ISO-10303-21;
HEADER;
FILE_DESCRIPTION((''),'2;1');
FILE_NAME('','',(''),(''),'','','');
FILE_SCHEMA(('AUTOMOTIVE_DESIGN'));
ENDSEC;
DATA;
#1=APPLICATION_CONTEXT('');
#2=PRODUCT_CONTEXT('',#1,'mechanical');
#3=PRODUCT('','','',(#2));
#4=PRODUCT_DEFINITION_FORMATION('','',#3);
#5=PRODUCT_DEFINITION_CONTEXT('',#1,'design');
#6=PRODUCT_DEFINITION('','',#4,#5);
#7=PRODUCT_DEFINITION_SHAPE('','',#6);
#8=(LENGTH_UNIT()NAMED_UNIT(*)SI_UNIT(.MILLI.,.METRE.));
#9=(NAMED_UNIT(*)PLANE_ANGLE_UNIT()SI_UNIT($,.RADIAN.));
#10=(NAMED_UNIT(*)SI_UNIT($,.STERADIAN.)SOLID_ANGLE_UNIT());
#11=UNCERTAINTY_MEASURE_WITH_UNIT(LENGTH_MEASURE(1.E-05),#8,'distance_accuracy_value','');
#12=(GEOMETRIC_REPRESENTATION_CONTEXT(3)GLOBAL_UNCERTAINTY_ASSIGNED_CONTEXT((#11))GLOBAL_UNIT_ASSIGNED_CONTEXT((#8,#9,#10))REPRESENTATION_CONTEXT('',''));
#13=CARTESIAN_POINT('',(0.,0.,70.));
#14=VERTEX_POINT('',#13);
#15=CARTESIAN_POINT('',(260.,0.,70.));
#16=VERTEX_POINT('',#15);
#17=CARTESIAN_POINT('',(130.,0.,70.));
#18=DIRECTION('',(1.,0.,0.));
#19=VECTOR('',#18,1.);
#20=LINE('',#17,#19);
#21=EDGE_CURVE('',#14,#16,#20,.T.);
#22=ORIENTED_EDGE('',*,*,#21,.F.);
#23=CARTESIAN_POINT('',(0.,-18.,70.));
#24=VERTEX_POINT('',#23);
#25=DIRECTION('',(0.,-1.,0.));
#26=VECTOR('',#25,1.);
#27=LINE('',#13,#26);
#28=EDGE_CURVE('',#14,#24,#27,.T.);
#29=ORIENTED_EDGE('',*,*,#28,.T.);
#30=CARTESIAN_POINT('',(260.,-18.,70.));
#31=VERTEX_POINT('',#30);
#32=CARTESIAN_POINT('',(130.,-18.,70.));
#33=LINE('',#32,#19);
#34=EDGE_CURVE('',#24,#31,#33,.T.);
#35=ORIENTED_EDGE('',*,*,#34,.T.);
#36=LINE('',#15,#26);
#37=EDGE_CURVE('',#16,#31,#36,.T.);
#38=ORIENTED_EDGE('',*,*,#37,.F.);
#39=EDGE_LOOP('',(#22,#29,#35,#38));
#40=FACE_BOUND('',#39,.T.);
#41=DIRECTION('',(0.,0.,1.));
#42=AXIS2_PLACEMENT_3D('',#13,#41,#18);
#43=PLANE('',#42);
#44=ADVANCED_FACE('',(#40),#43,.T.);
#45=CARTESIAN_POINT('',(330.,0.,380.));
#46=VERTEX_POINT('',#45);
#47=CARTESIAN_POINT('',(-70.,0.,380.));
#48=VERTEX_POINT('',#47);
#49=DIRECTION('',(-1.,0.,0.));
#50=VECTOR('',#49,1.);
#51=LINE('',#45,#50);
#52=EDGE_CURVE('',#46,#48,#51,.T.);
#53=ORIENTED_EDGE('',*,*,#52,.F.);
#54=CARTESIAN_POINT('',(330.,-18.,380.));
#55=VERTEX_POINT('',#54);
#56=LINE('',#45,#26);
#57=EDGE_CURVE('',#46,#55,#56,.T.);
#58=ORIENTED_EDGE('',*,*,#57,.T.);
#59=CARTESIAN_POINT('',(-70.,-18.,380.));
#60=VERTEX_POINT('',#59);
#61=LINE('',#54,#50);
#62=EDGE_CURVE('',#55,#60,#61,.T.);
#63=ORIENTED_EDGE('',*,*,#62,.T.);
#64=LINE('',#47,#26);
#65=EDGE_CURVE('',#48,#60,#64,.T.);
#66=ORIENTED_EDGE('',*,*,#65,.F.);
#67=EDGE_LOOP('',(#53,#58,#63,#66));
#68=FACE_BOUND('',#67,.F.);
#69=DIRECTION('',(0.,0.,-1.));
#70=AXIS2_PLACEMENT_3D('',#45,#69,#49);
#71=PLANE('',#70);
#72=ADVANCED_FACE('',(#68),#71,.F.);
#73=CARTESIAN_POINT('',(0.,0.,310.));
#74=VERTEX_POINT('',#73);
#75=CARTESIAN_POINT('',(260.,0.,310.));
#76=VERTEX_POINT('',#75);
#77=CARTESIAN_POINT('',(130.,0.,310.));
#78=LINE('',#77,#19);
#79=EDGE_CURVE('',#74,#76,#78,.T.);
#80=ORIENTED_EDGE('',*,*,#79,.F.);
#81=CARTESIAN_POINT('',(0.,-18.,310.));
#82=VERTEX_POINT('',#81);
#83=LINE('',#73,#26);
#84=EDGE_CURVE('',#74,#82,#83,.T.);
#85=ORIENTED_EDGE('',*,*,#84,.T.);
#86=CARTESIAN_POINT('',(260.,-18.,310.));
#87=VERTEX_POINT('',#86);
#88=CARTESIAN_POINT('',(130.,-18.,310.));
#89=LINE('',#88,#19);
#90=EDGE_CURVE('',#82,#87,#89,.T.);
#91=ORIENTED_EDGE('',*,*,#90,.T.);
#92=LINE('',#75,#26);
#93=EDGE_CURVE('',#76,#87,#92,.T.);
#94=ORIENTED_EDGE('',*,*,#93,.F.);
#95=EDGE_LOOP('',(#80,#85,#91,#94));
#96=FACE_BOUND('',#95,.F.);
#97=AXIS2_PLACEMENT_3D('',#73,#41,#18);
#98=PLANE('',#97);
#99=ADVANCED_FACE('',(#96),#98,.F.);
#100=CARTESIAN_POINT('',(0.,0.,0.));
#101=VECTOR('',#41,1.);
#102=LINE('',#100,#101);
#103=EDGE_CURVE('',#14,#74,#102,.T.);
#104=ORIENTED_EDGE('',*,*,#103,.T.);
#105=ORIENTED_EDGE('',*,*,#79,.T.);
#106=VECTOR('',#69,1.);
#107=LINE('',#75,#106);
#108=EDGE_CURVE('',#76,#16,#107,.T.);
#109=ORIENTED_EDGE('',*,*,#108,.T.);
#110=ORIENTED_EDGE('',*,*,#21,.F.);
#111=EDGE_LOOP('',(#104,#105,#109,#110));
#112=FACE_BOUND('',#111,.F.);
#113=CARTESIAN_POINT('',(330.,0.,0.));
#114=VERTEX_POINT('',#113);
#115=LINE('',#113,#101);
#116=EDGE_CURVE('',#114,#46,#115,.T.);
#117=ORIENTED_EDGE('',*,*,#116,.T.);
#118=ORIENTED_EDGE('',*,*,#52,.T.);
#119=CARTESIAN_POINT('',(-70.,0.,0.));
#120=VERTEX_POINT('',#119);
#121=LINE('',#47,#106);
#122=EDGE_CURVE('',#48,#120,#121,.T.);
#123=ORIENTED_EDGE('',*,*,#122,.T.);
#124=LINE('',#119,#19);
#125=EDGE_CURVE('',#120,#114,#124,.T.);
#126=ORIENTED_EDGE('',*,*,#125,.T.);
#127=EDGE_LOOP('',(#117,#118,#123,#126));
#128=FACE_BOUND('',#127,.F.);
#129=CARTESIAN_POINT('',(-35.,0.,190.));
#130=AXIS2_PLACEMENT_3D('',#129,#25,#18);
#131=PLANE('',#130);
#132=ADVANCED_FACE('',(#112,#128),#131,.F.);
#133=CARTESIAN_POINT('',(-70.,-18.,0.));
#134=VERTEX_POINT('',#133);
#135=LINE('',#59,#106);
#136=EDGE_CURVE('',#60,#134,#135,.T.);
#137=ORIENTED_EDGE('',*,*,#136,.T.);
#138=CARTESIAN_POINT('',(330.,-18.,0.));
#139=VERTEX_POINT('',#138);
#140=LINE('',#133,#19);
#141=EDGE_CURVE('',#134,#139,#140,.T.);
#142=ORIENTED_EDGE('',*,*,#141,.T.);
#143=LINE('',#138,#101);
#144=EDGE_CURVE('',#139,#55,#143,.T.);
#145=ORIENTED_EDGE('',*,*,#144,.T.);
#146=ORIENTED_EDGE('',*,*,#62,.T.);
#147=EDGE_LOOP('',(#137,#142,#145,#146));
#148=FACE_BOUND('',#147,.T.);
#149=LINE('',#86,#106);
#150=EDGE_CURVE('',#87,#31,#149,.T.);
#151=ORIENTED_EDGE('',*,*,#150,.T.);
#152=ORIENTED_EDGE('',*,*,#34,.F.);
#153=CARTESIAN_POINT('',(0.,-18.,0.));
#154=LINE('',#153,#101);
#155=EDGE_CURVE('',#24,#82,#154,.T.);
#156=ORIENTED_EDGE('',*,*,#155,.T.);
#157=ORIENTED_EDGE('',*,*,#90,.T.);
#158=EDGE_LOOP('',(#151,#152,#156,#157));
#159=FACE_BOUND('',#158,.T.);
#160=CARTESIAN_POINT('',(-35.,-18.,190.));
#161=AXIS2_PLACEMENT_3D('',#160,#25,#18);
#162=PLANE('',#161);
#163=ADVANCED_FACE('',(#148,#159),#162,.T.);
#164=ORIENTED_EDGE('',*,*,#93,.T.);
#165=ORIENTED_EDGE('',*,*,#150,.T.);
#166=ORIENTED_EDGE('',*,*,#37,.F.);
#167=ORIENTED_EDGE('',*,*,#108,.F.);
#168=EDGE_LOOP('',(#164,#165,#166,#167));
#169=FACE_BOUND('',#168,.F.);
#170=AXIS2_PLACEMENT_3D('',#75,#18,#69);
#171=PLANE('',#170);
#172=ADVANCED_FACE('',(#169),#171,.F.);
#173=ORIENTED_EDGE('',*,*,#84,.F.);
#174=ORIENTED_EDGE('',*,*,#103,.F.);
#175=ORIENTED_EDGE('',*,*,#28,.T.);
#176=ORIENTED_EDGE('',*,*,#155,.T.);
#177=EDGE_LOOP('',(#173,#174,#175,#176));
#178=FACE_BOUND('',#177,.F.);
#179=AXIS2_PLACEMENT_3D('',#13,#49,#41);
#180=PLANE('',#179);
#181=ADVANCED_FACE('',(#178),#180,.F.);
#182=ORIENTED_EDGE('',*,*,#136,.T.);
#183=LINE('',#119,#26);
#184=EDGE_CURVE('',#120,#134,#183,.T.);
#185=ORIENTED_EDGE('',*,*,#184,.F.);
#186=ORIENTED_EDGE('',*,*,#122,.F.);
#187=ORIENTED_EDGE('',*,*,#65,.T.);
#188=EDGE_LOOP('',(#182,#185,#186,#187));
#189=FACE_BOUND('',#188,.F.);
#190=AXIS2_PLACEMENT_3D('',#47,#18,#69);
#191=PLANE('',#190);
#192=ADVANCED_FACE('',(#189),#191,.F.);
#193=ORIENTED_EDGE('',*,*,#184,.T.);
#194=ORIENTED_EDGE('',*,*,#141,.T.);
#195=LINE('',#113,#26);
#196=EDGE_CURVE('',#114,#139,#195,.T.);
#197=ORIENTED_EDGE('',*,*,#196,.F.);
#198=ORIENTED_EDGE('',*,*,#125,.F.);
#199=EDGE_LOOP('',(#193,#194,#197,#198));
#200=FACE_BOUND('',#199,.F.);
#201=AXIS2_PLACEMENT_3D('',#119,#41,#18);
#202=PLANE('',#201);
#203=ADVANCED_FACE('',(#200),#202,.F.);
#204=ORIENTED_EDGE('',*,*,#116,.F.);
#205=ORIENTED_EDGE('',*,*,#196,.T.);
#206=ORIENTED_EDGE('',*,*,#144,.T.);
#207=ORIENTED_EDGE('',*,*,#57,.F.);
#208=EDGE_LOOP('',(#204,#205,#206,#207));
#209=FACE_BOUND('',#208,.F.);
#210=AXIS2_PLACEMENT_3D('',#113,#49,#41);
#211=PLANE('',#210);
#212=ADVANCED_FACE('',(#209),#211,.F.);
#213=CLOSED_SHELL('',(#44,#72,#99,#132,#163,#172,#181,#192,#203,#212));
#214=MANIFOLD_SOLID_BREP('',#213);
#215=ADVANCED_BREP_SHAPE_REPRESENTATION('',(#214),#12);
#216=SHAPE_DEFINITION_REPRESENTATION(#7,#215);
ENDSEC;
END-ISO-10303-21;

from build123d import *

# Parameters (mm, degrees)
F0_W     = 260
F0_H     = 70
F1_DEPTH = 18


with BuildPart() as f1:
    # F0 (on Front) → F1 (new body)
    with BuildSketch(Plane.XZ):
        Polygon((0, 380), (-70, 380), (-70, 0), (0, 0), (0, 70), (0, 310), align=None)
        with Locations((130, 345)):
            Rectangle(F0_W, F0_H)
        Polygon((330, 380), (260, 380), (260, 310), (260, 70), (260, 0), (330, 0), align=None)
        with Locations((130, 35)):
            Rectangle(F0_W, F0_H)
    extrude(amount=F1_DEPTH)


solid = f1.part
